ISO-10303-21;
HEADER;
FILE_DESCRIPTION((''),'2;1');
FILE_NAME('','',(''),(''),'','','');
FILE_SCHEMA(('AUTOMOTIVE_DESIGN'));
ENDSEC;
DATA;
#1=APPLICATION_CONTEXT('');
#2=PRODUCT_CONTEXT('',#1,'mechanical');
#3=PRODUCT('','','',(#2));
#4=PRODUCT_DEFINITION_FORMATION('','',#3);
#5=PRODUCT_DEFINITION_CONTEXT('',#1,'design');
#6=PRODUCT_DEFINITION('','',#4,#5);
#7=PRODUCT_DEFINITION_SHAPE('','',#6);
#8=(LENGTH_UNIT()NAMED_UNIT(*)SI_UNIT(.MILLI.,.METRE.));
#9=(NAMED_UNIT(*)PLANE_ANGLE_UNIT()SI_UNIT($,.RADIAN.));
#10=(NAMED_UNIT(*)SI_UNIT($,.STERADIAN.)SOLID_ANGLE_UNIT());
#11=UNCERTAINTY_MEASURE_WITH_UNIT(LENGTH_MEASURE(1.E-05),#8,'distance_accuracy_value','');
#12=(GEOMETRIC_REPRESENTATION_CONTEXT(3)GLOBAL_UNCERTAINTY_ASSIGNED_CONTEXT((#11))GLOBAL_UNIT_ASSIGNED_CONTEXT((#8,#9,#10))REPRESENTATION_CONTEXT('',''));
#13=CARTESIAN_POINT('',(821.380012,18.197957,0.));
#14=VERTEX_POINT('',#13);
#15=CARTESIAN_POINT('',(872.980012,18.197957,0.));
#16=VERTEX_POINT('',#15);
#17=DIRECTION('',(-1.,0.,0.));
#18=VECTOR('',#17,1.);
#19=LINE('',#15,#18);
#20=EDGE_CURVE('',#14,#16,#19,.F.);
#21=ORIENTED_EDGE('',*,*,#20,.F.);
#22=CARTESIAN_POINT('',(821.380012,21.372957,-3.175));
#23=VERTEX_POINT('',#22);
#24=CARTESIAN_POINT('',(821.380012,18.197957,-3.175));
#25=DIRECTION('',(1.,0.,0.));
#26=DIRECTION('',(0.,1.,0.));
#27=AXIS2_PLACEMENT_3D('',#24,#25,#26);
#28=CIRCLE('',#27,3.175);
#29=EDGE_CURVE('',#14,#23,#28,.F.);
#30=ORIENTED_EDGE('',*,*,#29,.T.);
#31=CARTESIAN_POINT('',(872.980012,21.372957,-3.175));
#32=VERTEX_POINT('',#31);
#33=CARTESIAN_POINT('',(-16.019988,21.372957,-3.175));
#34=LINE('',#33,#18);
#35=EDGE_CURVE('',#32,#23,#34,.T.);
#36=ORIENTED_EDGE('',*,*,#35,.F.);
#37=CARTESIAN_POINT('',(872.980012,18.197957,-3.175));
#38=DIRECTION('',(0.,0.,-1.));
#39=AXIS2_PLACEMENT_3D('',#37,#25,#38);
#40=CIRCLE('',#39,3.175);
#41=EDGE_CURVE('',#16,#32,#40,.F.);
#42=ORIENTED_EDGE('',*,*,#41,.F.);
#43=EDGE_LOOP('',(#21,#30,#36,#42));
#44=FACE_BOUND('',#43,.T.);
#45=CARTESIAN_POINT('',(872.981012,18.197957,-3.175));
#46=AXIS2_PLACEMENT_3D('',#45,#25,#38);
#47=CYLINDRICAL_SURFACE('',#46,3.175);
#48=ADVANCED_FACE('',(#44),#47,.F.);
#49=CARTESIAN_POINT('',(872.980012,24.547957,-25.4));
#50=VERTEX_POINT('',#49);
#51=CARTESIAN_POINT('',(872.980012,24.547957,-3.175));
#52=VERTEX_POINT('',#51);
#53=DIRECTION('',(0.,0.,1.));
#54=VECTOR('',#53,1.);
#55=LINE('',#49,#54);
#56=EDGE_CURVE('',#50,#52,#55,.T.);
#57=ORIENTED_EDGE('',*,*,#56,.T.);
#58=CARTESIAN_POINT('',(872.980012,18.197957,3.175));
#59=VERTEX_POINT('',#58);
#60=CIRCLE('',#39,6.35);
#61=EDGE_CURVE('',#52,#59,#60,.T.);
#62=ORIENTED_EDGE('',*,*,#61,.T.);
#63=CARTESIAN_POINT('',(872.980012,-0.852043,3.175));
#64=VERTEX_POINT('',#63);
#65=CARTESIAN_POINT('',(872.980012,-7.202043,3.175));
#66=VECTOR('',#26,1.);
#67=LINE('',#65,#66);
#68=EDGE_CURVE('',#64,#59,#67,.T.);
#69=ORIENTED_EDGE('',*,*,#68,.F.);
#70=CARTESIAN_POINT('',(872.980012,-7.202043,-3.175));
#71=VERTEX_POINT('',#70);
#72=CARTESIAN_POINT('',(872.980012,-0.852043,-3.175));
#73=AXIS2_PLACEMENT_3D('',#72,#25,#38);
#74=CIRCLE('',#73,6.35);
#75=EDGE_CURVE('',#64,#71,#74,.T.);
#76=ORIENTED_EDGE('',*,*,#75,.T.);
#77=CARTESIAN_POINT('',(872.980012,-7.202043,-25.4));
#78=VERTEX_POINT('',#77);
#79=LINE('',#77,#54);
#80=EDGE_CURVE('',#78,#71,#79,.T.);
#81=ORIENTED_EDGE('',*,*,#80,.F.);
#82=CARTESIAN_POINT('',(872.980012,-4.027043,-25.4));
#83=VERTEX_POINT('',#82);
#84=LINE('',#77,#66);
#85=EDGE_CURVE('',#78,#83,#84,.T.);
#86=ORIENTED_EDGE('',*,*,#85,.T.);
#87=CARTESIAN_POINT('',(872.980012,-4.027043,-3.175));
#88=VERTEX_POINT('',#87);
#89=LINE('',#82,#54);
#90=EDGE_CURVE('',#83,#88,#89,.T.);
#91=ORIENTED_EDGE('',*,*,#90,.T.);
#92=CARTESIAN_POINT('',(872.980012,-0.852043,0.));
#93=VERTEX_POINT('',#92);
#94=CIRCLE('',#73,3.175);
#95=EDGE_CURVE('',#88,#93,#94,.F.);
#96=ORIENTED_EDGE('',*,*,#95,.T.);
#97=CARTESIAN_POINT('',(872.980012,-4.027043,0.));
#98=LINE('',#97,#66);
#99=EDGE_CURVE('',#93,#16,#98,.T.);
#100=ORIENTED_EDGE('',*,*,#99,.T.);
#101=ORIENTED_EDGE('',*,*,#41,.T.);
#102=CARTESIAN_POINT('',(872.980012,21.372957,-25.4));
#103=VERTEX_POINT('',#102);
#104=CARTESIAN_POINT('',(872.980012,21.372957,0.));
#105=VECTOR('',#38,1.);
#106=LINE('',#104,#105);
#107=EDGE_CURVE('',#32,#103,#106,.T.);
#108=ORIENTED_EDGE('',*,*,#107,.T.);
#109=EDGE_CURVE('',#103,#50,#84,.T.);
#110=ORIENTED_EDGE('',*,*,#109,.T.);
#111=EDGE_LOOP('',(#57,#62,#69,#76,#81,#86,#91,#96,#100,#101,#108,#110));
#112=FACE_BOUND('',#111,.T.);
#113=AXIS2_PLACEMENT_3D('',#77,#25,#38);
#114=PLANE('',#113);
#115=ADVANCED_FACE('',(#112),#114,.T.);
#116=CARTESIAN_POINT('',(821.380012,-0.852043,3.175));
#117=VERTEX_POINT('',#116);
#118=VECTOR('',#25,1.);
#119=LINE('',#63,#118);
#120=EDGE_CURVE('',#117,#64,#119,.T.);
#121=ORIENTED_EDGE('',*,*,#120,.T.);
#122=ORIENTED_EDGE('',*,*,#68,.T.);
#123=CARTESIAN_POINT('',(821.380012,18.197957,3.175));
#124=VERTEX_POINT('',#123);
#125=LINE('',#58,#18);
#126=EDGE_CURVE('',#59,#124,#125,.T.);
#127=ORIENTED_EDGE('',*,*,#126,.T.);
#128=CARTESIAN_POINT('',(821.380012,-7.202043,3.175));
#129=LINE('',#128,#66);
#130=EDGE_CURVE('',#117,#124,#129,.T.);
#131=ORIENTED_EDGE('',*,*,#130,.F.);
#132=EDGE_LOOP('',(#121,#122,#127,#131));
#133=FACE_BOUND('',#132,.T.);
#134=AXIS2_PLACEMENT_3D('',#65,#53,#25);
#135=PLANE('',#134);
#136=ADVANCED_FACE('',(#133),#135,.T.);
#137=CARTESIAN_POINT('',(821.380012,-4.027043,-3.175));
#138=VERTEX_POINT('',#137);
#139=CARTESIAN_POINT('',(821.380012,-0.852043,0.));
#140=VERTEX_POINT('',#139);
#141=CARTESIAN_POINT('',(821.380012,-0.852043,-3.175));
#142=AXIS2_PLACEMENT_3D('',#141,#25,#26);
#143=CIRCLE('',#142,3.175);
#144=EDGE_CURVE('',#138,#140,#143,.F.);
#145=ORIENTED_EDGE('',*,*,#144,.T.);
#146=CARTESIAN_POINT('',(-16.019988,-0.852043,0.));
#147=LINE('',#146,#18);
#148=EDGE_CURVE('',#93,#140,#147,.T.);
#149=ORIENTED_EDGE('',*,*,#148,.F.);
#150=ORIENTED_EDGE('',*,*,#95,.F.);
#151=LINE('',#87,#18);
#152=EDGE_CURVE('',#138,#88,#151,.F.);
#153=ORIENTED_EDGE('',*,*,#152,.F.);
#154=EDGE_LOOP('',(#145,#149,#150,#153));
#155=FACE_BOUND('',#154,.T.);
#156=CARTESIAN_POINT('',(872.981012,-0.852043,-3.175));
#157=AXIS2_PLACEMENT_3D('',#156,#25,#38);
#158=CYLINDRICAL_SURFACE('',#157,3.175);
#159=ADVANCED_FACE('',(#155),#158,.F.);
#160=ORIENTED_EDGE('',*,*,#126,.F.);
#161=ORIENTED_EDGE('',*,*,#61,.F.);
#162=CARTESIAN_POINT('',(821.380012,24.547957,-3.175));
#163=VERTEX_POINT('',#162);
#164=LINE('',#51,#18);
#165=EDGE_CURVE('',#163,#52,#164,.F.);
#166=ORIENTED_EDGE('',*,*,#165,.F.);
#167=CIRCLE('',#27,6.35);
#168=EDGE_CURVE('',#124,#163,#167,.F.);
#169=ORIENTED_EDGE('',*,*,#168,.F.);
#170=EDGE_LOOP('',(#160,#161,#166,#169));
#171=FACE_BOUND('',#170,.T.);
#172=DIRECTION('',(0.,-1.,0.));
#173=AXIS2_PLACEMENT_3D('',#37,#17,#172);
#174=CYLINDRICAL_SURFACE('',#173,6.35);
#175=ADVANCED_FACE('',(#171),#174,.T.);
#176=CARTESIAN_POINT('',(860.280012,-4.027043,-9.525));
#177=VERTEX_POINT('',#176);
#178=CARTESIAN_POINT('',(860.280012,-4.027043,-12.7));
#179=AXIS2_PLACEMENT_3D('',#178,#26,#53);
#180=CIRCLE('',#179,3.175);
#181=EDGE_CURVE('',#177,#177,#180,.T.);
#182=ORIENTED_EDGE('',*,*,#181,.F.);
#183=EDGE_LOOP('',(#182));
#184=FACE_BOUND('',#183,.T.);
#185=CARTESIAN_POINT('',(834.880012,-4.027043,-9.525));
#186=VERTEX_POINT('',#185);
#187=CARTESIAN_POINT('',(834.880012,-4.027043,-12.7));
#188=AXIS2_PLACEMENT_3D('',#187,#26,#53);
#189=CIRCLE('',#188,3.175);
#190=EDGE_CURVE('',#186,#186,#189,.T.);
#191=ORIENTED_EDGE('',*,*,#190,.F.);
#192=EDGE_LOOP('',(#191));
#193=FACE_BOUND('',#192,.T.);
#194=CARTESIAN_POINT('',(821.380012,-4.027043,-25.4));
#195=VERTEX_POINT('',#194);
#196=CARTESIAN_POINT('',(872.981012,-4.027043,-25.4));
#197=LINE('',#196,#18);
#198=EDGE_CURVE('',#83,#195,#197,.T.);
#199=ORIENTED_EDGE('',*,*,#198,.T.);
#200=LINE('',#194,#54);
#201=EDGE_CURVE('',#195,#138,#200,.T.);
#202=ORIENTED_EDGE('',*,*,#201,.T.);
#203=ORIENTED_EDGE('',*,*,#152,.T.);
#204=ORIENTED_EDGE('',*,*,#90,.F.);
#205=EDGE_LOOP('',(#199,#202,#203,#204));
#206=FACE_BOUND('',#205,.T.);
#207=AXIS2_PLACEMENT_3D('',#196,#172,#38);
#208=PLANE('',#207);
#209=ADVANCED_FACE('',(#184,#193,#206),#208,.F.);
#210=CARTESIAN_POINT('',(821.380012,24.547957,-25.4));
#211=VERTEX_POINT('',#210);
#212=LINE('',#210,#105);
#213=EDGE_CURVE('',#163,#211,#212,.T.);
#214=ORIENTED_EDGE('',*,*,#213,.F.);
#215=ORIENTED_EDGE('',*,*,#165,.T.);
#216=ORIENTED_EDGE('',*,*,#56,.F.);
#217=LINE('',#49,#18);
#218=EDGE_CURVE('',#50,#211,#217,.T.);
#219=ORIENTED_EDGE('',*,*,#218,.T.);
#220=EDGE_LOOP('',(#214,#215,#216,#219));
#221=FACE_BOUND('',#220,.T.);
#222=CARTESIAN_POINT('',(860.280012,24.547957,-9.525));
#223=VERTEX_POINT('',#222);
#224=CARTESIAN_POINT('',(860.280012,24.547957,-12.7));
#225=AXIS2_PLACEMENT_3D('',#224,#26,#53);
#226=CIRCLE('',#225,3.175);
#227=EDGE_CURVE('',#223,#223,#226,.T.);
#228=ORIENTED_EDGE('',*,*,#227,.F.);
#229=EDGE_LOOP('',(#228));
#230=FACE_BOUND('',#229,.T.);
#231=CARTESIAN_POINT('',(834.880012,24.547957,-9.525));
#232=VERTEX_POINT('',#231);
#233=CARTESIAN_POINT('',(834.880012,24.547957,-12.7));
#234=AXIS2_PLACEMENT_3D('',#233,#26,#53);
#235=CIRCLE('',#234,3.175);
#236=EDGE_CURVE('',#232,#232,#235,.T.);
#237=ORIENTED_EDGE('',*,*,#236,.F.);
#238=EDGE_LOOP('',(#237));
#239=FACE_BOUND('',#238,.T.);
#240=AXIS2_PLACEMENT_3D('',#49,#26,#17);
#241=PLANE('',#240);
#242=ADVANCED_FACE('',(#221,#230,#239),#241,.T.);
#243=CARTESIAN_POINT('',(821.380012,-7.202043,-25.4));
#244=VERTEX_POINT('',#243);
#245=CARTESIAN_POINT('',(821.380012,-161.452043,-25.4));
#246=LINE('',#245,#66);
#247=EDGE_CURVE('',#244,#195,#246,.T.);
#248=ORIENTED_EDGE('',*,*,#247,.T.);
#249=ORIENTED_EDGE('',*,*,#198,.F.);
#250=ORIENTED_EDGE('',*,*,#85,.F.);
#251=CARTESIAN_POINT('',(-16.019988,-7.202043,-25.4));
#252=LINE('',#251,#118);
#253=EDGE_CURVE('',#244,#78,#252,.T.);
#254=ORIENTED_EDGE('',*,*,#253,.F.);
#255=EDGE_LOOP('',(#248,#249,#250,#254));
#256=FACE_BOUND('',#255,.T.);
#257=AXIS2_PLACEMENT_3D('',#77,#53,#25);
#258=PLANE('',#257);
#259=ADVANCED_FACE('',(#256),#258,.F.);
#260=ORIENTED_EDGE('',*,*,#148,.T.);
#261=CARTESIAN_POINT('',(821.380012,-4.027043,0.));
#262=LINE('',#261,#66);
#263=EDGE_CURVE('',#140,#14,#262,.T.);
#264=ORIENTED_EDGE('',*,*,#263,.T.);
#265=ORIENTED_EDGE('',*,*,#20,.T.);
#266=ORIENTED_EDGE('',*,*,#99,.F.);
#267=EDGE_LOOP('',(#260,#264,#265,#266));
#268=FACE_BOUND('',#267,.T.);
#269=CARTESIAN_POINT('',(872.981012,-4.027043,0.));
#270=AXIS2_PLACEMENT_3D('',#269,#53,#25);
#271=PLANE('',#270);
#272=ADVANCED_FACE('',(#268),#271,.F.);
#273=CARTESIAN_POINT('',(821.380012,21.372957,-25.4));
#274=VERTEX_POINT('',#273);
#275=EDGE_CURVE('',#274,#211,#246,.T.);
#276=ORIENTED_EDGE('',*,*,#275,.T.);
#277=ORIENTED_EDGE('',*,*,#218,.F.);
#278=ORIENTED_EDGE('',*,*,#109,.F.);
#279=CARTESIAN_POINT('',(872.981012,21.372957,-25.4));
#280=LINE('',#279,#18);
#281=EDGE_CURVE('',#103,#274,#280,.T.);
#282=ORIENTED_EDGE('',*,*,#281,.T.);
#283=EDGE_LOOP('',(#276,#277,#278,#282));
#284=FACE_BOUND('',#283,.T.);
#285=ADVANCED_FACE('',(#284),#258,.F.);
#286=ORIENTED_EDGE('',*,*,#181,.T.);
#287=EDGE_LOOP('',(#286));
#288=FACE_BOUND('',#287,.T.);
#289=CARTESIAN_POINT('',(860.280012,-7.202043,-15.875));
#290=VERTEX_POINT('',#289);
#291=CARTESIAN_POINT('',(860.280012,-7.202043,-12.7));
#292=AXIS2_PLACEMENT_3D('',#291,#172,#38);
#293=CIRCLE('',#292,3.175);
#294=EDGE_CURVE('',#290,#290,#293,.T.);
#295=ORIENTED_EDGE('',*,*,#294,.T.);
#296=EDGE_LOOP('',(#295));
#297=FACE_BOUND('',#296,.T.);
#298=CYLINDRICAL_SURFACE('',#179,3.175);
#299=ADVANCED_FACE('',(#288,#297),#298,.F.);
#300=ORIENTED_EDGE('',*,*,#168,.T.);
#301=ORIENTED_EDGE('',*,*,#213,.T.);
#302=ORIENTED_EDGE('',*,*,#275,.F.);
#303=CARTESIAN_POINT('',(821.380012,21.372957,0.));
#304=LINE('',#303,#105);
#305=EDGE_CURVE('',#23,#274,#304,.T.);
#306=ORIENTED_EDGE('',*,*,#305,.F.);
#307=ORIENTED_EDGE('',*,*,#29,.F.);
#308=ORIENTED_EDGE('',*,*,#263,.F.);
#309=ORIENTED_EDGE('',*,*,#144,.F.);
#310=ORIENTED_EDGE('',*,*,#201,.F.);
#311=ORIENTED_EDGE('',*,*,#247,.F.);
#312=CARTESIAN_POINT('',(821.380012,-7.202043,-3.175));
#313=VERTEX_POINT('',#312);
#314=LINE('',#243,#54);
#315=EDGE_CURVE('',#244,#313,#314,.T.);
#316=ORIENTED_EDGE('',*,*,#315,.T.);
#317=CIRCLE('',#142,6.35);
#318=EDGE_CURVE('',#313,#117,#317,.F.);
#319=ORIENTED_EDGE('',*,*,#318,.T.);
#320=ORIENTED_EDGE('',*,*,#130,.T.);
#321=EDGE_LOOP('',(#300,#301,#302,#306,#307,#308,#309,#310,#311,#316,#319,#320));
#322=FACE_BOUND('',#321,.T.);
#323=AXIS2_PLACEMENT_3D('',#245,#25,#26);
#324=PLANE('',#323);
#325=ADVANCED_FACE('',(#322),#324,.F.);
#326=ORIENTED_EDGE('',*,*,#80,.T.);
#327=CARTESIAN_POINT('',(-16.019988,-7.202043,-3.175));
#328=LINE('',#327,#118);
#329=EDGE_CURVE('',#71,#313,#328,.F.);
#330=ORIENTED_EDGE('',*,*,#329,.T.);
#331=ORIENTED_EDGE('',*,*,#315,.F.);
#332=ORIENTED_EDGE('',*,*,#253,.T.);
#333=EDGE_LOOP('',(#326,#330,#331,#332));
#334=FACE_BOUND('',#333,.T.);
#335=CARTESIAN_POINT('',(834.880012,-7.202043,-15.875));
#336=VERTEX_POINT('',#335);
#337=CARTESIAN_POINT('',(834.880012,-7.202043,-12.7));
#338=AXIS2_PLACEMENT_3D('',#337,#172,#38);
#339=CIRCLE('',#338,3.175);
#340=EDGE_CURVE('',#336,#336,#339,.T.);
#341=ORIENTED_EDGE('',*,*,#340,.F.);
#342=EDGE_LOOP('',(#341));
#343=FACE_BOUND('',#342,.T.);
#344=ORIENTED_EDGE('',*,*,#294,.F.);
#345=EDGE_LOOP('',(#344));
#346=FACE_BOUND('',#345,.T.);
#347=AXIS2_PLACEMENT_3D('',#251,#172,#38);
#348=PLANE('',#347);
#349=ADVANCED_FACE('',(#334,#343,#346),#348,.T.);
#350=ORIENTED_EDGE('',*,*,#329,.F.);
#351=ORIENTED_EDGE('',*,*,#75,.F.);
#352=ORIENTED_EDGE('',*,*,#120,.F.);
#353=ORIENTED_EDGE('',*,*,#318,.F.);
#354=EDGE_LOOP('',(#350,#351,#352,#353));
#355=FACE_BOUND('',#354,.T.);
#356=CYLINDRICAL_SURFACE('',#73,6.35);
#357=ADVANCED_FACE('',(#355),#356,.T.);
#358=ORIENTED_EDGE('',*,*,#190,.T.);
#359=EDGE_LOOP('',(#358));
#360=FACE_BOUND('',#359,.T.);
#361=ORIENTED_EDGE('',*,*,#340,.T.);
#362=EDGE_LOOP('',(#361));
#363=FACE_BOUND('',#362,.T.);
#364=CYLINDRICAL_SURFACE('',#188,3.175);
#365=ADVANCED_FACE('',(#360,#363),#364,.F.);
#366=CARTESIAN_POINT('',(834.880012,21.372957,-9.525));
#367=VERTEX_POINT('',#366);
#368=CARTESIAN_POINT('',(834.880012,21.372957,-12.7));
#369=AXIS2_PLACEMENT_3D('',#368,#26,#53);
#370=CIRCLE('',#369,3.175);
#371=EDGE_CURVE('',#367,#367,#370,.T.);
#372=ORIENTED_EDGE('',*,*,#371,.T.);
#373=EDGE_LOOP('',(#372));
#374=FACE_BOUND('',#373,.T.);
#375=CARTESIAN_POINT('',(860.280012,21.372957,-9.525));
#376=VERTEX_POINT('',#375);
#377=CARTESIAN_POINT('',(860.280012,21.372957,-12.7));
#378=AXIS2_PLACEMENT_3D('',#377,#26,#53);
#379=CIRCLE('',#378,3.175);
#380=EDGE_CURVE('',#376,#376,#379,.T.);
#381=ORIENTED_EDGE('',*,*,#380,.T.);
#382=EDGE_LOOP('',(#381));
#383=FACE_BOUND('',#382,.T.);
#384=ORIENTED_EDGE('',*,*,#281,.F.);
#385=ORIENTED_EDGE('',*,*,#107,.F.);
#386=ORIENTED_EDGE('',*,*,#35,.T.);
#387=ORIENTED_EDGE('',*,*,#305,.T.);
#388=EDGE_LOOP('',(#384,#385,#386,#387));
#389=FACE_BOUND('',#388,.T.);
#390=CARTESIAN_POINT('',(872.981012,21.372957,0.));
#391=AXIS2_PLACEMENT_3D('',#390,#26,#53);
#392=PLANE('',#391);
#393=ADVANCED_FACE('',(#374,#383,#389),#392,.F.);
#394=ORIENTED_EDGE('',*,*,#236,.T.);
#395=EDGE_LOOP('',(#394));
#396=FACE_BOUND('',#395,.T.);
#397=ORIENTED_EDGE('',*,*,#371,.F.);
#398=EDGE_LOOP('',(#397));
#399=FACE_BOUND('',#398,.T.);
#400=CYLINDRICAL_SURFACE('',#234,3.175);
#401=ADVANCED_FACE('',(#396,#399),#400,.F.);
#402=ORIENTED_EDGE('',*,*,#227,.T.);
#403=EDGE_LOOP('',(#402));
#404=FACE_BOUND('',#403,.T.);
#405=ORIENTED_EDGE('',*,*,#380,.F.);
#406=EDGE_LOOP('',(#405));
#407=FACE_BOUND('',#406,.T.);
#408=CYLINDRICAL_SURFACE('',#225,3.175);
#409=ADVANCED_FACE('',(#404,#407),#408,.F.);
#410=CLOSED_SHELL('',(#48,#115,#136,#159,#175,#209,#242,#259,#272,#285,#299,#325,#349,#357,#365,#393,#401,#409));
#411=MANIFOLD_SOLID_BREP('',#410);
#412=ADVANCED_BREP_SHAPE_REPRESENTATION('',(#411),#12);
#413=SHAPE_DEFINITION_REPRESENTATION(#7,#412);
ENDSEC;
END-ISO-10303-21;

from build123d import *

# Parameters (mm, degrees)
SKETCH1_W          = 889
SKETCH1_H          = 31.75
EXTRUDE1_DEPTH     = 28.575
EXTRUDE2_REACH     = 891.702
SKETCH2_W          = 25.4
SKETCH2_H          = 25.4
HOLE1_D            = 6.35
HOLE1_DEPTH        = 3.175
LPATTERN1_COUNT    = 35
LPATTERN1_PITCH    = 25.4
HOLE2_D            = 9.652
LPATTERN2_COUNT    = 12
LPATTERN2_PITCH    = 25.4
HOLE3_D            = 9.652
HOLE4_D            = 9.652
LPATTERN3_COUNT    = 12
LPATTERN3_PITCH    = 25.4
HOLE5_D            = 3.175
HOLE6_D            = 6.35
LPATTERN4_COUNT    = 35
LPATTERN4_PITCH    = 25.4
FILLET1_R          = 3.175
FILLET2_R          = 3.175
FILLET3_R          = 6.35
FILLET4_R          = 6.35
SKETCH16_W         = 145.760071232
SKETCH16_H         = 71.504803879
CUT_EXTRUDE2_DEPTH = 75
SKETCH17_W         = 473.628565651
SKETCH17_H         = 66.908943447
CUT_EXTRUDE3_DEPTH = 186
SKETCH18_W         = 383.094897193
SKETCH18_H         = 93.915816603
CUT_EXTRUDE4_DEPTH = 186
SKETCH19_W         = 44.323760151
SKETCH19_H         = 53.749642994
CUT_EXTRUDE5_DEPTH = 186


with BuildPart() as part:
    # Sketch1 → Extrude1 (new body)
    with BuildSketch(Plane.XY.offset(3.175)):
        with Locations((428.480011997, 8.672957166)):
            Rectangle(SKETCH1_W, SKETCH1_H)
    extrude(amount=-EXTRUDE1_DEPTH)

    # Sketch2 → Extrude2 (cut, up to next)
    with BuildSketch(Plane.ZY.offset(16.019988003), mode=Mode.PRIVATE) as extrude2_sk1:
        with Locations((-12.7, 8.672957166)):
            Rectangle(SKETCH2_W, SKETCH2_H)
    extrude2_tool1 = extrude(extrude2_sk1.sketch, amount=-EXTRUDE2_REACH, mode=Mode.PRIVATE) & part.part
    add(extrude2_tool1.solids().sort_by_distance((-16.019988, 8.672957, -12.7))[0], mode=Mode.SUBTRACT)

    # Hole1
    with Locations(Plane(origin=(0, 24.547957166, 0), x_dir=(-1, 0, 0), z_dir=(0, 1, 0))):
        with Locations((3.319988003, -12.7)):
            hole1 = Hole(HOLE1_D / 2, depth=HOLE1_DEPTH)

    # LPattern1: Hole1 ×35
    with Locations(*[(i * LPATTERN1_PITCH, 0, 0) for i in range(1, LPATTERN1_COUNT)]):
        add(hole1, mode=Mode.SUBTRACT)

    # Hole2 (through all)
    with Locations(Plane.XY.offset(3.175)):
        with Locations((66.530011997, 10.577957166)):
            hole2 = Hole(HOLE2_D / 2)

    # LPattern2: Hole2 ×12, 8 skipped
    with Locations(*[(i * LPATTERN2_PITCH, 0, 0) for i in range(1, LPATTERN2_COUNT) if i not in (2, 3, 4, 5, 6, 7, 8, 9)]):
        add(hole2, mode=Mode.SUBTRACT)

    # Hole3 (through all)
    with Locations(Plane.XY.offset(3.175)):
        with Locations((428.480011997, 6.767957166)):
            Hole(HOLE3_D / 2)

    # Hole4 (through all)
    with Locations(Plane.XY.offset(3.175)):
        with Locations((511.030011997, 10.577957166)):
            hole4 = Hole(HOLE4_D / 2)

    # LPattern3: Hole4 ×12, 8 skipped
    with Locations(*[(i * LPATTERN3_PITCH, 0, 0) for i in range(1, LPATTERN3_COUNT) if i not in (2, 3, 4, 5, 6, 7, 8, 9)]):
        add(hole4, mode=Mode.SUBTRACT)

    # Hole5 (through all)
    with Locations(Plane.XY.offset(3.175)):
        with Locations((669.780011997, 8.672957166)):
            Hole(HOLE5_D / 2)

    # Hole6 (through all)
    with Locations(Plane(origin=(0, -4.027042834, 0), x_dir=(-1, 0, 0), z_dir=(0, 1, 0))):
        with Locations((3.319988003, -12.7)):
            hole6 = Hole(HOLE6_D / 2)

    # LPattern4: Hole6 ×35
    with Locations(*[(i * LPATTERN4_PITCH, 0, 0) for i in range(1, LPATTERN4_COUNT)]):
        add(hole6, mode=Mode.SUBTRACT)

    # Fillet1
    fillet1_edges = [part.edges().sort_by_distance(p)[0] for p in [
        (428.480011997, 21.372957166, 0),
    ]]
    fillet(fillet1_edges, radius=FILLET1_R)

    # Fillet2
    fillet2_edges = [part.edges().sort_by_distance(p)[0] for p in [
        (428.480011997, -4.027042834, 0),
    ]]
    fillet(fillet2_edges, radius=FILLET2_R)

    # Fillet3
    fillet3_edges = [part.edges().sort_by_distance(p)[0] for p in [
        (428.480011997, -7.202042834, 3.175),
    ]]
    fillet(fillet3_edges, radius=FILLET3_R)

    # Fillet4
    fillet4_edges = [part.edges().sort_by_distance(p)[0] for p in [
        (428.480011997, 24.547957166, 3.175),
    ]]
    fillet(fillet4_edges, radius=FILLET4_R)

    # Sketch16 → Cut-Extrude2 (cut)
    with BuildSketch(Plane(origin=(0, 24.547957166, 0), x_dir=(1, 0, 0), z_dir=(0, 1, 0))):
        with Locations((40.099976381, -10.352401939)):
            Rectangle(SKETCH16_W, SKETCH16_H)
    extrude(amount=-CUT_EXTRUDE2_DEPTH, mode=Mode.SUBTRACT)

    # Sketch17 → Cut-Extrude3 (cut)
    with BuildSketch(Plane(origin=(0, 24.547957166, 0), x_dir=(1, 0, 0), z_dir=(0, 1, 0))):
        with Locations((288.165729172, -8.054471723)):
            Rectangle(SKETCH17_W, SKETCH17_H)
    extrude(amount=-CUT_EXTRUDE3_DEPTH, mode=Mode.SUBTRACT)

    # Sketch18 → Cut-Extrude4 (cut)
    with BuildSketch(Plane(origin=(0, 24.547957166, 0), x_dir=(1, 0, 0), z_dir=(0, 1, 0))):
        with Locations((621.432563401, -21.557908301)):
            Rectangle(SKETCH18_W, SKETCH18_H)
    extrude(amount=-CUT_EXTRUDE4_DEPTH, mode=Mode.SUBTRACT)

    # Sketch19 → Cut-Extrude5 (cut)
    with BuildSketch(Plane(origin=(0, 24.547957166, 0), x_dir=(1, 0, 0), z_dir=(0, 1, 0))):
        with Locations((799.218131922, -1.474821497)):
            Rectangle(SKETCH19_W, SKETCH19_H)
    extrude(amount=-CUT_EXTRUDE5_DEPTH, mode=Mode.SUBTRACT)


solid = part.part
